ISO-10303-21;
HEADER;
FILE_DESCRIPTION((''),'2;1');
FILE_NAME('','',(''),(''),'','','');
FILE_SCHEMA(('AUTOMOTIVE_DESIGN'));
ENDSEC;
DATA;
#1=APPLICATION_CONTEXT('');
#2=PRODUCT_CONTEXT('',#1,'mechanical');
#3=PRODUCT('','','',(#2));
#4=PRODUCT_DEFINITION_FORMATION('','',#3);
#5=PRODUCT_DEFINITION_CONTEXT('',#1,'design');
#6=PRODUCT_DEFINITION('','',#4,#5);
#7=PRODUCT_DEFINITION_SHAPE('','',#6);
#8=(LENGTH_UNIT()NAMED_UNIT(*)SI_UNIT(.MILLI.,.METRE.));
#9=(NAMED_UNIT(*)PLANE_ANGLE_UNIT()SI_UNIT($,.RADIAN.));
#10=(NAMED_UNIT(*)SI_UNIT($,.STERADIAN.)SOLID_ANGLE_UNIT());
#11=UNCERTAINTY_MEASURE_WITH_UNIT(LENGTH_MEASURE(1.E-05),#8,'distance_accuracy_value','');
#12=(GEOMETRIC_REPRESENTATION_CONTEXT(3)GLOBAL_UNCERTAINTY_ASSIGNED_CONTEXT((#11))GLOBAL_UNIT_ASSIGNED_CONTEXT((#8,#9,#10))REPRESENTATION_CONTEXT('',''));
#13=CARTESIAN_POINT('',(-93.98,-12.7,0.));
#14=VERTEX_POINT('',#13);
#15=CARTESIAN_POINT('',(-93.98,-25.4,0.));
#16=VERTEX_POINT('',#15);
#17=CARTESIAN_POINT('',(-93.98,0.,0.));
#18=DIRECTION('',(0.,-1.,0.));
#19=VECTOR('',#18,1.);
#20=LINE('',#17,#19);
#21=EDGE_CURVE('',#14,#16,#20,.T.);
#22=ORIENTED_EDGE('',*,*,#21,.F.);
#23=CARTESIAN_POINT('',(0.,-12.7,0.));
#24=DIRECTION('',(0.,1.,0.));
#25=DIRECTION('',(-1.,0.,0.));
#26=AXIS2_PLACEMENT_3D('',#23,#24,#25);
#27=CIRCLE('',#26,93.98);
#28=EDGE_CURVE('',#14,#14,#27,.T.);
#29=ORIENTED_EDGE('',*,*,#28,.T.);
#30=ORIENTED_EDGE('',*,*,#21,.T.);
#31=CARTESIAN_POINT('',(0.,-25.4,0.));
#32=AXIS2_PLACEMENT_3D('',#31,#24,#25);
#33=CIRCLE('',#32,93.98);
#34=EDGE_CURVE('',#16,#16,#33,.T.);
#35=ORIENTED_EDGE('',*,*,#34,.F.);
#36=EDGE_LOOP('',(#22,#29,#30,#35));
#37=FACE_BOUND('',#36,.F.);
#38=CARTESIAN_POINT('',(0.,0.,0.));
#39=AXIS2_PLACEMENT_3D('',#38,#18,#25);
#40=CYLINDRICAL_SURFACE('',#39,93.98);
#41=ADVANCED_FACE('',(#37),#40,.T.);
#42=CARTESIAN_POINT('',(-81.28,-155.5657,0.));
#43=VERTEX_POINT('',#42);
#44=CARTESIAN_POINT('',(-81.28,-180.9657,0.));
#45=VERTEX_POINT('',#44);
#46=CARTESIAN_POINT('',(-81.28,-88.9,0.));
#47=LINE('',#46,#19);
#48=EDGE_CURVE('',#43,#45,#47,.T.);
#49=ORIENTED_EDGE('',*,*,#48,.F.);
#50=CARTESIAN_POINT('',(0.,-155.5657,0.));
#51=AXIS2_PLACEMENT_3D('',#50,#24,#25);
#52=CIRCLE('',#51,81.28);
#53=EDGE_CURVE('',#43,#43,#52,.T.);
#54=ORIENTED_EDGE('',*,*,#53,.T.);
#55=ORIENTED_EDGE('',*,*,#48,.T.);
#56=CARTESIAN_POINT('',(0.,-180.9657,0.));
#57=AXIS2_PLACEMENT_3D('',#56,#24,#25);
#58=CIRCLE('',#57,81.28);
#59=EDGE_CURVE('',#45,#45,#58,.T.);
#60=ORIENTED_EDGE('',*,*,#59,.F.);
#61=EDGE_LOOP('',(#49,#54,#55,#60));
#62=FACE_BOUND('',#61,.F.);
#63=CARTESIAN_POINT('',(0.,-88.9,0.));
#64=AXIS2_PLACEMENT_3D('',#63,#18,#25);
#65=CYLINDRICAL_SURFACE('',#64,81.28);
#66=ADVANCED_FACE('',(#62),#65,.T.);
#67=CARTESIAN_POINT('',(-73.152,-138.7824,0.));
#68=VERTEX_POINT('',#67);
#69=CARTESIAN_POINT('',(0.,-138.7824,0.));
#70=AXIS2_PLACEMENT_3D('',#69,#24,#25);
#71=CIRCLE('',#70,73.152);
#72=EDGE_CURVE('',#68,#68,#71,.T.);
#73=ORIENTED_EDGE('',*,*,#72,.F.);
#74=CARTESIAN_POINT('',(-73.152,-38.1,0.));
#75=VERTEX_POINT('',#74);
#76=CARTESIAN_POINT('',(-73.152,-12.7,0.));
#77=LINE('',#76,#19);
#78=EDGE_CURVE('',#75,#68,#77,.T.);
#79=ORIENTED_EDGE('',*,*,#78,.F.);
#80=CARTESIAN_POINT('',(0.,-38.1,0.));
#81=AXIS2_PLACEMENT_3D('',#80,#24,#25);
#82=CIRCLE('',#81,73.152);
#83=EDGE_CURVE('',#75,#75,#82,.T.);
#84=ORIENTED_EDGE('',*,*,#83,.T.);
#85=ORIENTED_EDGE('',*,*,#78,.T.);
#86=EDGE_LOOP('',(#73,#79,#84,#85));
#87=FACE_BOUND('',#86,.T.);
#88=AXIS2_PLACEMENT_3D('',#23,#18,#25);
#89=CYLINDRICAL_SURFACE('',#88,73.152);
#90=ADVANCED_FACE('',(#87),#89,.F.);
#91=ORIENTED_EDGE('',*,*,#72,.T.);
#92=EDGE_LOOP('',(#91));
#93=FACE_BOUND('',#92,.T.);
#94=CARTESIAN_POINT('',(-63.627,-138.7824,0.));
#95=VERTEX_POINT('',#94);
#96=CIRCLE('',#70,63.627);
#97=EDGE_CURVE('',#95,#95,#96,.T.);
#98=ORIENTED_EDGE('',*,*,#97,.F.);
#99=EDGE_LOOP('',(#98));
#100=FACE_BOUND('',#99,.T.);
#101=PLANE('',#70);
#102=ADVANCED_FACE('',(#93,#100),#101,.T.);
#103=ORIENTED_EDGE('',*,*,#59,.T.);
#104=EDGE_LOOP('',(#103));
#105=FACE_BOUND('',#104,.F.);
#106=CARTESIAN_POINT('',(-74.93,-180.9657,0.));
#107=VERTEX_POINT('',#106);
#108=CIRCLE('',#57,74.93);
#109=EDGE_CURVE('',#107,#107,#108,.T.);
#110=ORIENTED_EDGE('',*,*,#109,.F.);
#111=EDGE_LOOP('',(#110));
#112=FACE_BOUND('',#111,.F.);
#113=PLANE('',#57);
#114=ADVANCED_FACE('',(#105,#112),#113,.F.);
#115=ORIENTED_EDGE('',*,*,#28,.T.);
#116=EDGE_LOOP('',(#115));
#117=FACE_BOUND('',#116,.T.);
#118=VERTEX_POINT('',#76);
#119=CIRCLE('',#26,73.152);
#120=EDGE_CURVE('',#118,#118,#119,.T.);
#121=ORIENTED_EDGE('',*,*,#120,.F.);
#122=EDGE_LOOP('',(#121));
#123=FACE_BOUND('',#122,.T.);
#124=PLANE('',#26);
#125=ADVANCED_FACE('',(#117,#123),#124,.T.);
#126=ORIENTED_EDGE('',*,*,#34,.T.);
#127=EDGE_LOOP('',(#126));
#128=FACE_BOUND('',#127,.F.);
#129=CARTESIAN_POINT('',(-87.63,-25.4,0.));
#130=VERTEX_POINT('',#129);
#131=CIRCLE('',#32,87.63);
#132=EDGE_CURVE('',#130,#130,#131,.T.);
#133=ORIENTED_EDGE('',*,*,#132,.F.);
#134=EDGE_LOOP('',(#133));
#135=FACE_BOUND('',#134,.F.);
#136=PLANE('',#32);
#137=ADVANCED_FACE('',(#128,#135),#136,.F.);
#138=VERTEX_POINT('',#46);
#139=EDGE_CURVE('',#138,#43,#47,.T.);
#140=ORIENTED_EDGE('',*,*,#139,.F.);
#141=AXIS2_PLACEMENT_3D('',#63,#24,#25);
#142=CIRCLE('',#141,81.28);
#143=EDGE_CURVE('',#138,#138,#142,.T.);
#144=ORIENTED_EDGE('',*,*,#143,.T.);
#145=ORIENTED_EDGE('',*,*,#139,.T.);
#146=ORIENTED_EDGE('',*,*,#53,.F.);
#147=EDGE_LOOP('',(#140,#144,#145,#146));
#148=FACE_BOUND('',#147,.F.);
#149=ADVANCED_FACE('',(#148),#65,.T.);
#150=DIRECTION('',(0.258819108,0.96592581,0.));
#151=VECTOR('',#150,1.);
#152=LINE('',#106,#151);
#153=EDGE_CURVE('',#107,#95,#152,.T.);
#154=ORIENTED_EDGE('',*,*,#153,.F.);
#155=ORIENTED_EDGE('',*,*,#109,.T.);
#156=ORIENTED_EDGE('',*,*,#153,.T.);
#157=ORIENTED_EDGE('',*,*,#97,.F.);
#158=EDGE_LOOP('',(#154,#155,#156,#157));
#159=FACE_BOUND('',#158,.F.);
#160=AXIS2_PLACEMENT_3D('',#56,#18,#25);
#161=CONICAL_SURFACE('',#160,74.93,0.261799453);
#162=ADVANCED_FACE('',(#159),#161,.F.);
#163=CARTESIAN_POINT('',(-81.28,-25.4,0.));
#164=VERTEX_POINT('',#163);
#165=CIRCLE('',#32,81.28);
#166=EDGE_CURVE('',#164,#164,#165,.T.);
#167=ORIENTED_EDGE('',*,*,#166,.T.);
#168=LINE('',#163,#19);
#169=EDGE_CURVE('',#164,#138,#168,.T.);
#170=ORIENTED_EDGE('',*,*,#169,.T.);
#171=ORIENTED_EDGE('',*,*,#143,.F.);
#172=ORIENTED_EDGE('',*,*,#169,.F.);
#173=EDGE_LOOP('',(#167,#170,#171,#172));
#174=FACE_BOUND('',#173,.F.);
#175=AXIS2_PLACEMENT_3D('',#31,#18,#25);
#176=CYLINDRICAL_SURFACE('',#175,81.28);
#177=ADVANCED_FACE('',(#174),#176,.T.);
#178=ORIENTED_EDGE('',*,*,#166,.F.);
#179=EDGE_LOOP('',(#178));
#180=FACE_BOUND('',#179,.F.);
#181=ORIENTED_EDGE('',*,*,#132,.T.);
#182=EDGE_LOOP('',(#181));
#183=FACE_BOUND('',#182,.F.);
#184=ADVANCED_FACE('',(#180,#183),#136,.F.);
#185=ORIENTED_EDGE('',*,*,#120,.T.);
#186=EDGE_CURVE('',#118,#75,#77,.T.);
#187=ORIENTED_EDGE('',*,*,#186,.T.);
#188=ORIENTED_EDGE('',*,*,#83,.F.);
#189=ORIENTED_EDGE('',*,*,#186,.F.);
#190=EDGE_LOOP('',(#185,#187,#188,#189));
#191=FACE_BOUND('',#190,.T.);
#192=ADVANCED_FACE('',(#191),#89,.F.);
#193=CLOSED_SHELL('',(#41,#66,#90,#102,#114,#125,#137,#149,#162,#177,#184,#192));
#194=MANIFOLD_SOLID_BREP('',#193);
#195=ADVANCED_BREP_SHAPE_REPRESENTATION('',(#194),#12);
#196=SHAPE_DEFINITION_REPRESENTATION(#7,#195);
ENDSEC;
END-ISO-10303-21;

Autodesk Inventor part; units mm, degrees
ref_plane "YZ Plane" through (0, 0, 0) normal (1, 0, 0) x (0, 1, 0)
ref_plane "XZ Plane" through (0, 0, 0) normal (0, 1, 0) x (-1, 0, 0)
ref_plane "XY Plane" through (0, 0, 0) normal (0, 0, 1) x (1, 0, 0)
sketch "Sketch1" plane through (0, 0, 0) normal (0, 0, 1) x (1, 0, 0)
  line L0 (0, 25.4) -> (-28.702, 25.4) construction
  line L1 (0, 25.4) -> (-93.98, 25.4) construction
  line L2 (-93.98, 25.4) -> (-90.805, 25.4) construction
  line L3 (-90.805, 25.4) -> (-84.455, 22.4389) construction
  line L4 (-90.805, 25.4) -> (-90.805, 22.4389) construction
  line L5 (-90.805, 0) -> (-93.98, 0)
  line L6 (-28.702, 59.6457) -> (-28.702, -91.9304) construction
  arc A0 (-28.9184, -9.248) -> (-32.3684, -1.8494) centre (-35.052, -7.6045) ccw
  line L7 (-74.93, -180.9657) -> (-28.702, -8.4405)
  line L8 (-90.805, 25.4) -> (-90.805, 0)
  line L9 (-90.805, 25.4) -> (-32.3684, -1.8494)
  line L10 (-28.702, -7.6045) -> (-60.452, -7.6045) construction
  line L11 (-60.452, 11.2462) -> (-60.452, -126.9331) construction
  line L12 (-60.452, -126.9331) -> (-54.102, -126.9331) construction
  line L13 (-54.102, -126.9331) -> (-54.102, -103.2346) construction
  line L14 (-54.102, -103.2346) -> (-60.452, -103.2346)
  line L15 (-60.452, 11.2462) -> (-60.452, 1.7212) construction
  line L16 (-60.452, 11.2462) -> (-60.452, 4.7154) construction
  line L17 (-60.452, 4.7154) -> (-46.4468, 4.7154)
  line L18 (-60.452, 4.7154) -> (-60.452, -103.2346)
  line L19 (-93.98, 0) -> (-93.98, -12.7) construction
  line L20 (-60.452, -12.7) -> (-73.152, -12.7) construction
  line L21 (-93.98, -12.7) -> (-93.98, -25.4) construction
  line L22 (-93.98, -25.4) -> (-93.98, -88.9) construction
  line L23 (-93.98, -88.9) -> (-81.28, -88.9) construction
  line L24 (-81.28, -88.9) -> (-81.28, -25.4) construction
  line L25 (-93.98, -25.4) -> (-81.28, -25.4)
  line L26 (-81.28, -25.4) -> (-81.28, -88.9)
  line L27 (-81.28, -88.9) -> (-93.98, -88.9)
  line L28 (-93.98, -12.7) -> (-73.152, -12.7)
  line L29 (-73.152, -138.7824) -> (-63.627, -138.7824)
  line L30 (-81.28, -88.9) -> (-81.28, -180.9657)
  line L31 (-81.28, -180.9657) -> (-74.93, -180.9657)
  line L32 (-73.152, -12.7) -> (-73.152, -138.7824)
  line L33 (-87.63, -25.4) -> (-87.63, -31.3436)
  line L34 (-87.63, -31.3436) -> (-93.98, -31.3436)
  line L35 (-93.98, 0) -> (-93.98, -25.4)
  line L36 (-93.98, -31.3436) -> (-93.98, -88.9)
  line L37 (-87.63, -155.5657) -> (-87.63, -216.5135)
  line L38 (-28.9184, -9.248) -> (-84.455, -216.5135)
  line L39 (-84.455, -216.5135) -> (-87.63, -216.5135)
  line L40 (-81.28, -155.5657) -> (-87.63, -155.5657)
  line L41 (-60.452, 4.7154) -> (-60.452, -7.6045)
  line L42 (-66.802, -38.1) -> (-73.152, -38.1)
  line L43 (-66.802, -38.1) -> (-66.802, 4.7154)
  line L44 (-66.802, 4.7154) -> (-60.452, 4.7154)
  line L45 (0, -319.0244) -> (0, 122.7573) projected
  point P0 (0, 0)
  point P1 (-93.98, -255.9127)
  point P2 (-88.7095, 22.4389)
  dimension "d0" = 28.702
  dimension "d1" = 93.98
  dimension "d2" = 3.175
  dimension "d3" = 25
  dimension "d5" = 25.4
  dimension "d6" = 25.4
  dimension "d8" = 12.7
  dimension "d12" = 31.75
  dimension "d13" = 6.35
  dimension "d16" = 12.7
  dimension "d17" = 12.7
  dimension "d18" = 12.7
  dimension "d19" = 63.5
  dimension "d20" = 12.7
  dimension "d22" = 9.525
  dimension "d23" = 6.35
  dimension "d25" = 5.9436
  dimension "d26" = 15
  dimension "d27" = 3.175
  dimension "d28" = 6.35
  dimension "d29" = 25.4
  dimension "d30" = 107.95
  dimension "d31" = 6.35
  dimension "d32" = 25.4
revolve "Revolution1" add sketch "Sketch1" angle 360 about axis through (0, -10, 0) along (0, 1, 0) contours L28 L32 L29 L7 L31 L30 L26 L25 L35
properties part number "Aluminum_Carrier" material "Aluminum"
